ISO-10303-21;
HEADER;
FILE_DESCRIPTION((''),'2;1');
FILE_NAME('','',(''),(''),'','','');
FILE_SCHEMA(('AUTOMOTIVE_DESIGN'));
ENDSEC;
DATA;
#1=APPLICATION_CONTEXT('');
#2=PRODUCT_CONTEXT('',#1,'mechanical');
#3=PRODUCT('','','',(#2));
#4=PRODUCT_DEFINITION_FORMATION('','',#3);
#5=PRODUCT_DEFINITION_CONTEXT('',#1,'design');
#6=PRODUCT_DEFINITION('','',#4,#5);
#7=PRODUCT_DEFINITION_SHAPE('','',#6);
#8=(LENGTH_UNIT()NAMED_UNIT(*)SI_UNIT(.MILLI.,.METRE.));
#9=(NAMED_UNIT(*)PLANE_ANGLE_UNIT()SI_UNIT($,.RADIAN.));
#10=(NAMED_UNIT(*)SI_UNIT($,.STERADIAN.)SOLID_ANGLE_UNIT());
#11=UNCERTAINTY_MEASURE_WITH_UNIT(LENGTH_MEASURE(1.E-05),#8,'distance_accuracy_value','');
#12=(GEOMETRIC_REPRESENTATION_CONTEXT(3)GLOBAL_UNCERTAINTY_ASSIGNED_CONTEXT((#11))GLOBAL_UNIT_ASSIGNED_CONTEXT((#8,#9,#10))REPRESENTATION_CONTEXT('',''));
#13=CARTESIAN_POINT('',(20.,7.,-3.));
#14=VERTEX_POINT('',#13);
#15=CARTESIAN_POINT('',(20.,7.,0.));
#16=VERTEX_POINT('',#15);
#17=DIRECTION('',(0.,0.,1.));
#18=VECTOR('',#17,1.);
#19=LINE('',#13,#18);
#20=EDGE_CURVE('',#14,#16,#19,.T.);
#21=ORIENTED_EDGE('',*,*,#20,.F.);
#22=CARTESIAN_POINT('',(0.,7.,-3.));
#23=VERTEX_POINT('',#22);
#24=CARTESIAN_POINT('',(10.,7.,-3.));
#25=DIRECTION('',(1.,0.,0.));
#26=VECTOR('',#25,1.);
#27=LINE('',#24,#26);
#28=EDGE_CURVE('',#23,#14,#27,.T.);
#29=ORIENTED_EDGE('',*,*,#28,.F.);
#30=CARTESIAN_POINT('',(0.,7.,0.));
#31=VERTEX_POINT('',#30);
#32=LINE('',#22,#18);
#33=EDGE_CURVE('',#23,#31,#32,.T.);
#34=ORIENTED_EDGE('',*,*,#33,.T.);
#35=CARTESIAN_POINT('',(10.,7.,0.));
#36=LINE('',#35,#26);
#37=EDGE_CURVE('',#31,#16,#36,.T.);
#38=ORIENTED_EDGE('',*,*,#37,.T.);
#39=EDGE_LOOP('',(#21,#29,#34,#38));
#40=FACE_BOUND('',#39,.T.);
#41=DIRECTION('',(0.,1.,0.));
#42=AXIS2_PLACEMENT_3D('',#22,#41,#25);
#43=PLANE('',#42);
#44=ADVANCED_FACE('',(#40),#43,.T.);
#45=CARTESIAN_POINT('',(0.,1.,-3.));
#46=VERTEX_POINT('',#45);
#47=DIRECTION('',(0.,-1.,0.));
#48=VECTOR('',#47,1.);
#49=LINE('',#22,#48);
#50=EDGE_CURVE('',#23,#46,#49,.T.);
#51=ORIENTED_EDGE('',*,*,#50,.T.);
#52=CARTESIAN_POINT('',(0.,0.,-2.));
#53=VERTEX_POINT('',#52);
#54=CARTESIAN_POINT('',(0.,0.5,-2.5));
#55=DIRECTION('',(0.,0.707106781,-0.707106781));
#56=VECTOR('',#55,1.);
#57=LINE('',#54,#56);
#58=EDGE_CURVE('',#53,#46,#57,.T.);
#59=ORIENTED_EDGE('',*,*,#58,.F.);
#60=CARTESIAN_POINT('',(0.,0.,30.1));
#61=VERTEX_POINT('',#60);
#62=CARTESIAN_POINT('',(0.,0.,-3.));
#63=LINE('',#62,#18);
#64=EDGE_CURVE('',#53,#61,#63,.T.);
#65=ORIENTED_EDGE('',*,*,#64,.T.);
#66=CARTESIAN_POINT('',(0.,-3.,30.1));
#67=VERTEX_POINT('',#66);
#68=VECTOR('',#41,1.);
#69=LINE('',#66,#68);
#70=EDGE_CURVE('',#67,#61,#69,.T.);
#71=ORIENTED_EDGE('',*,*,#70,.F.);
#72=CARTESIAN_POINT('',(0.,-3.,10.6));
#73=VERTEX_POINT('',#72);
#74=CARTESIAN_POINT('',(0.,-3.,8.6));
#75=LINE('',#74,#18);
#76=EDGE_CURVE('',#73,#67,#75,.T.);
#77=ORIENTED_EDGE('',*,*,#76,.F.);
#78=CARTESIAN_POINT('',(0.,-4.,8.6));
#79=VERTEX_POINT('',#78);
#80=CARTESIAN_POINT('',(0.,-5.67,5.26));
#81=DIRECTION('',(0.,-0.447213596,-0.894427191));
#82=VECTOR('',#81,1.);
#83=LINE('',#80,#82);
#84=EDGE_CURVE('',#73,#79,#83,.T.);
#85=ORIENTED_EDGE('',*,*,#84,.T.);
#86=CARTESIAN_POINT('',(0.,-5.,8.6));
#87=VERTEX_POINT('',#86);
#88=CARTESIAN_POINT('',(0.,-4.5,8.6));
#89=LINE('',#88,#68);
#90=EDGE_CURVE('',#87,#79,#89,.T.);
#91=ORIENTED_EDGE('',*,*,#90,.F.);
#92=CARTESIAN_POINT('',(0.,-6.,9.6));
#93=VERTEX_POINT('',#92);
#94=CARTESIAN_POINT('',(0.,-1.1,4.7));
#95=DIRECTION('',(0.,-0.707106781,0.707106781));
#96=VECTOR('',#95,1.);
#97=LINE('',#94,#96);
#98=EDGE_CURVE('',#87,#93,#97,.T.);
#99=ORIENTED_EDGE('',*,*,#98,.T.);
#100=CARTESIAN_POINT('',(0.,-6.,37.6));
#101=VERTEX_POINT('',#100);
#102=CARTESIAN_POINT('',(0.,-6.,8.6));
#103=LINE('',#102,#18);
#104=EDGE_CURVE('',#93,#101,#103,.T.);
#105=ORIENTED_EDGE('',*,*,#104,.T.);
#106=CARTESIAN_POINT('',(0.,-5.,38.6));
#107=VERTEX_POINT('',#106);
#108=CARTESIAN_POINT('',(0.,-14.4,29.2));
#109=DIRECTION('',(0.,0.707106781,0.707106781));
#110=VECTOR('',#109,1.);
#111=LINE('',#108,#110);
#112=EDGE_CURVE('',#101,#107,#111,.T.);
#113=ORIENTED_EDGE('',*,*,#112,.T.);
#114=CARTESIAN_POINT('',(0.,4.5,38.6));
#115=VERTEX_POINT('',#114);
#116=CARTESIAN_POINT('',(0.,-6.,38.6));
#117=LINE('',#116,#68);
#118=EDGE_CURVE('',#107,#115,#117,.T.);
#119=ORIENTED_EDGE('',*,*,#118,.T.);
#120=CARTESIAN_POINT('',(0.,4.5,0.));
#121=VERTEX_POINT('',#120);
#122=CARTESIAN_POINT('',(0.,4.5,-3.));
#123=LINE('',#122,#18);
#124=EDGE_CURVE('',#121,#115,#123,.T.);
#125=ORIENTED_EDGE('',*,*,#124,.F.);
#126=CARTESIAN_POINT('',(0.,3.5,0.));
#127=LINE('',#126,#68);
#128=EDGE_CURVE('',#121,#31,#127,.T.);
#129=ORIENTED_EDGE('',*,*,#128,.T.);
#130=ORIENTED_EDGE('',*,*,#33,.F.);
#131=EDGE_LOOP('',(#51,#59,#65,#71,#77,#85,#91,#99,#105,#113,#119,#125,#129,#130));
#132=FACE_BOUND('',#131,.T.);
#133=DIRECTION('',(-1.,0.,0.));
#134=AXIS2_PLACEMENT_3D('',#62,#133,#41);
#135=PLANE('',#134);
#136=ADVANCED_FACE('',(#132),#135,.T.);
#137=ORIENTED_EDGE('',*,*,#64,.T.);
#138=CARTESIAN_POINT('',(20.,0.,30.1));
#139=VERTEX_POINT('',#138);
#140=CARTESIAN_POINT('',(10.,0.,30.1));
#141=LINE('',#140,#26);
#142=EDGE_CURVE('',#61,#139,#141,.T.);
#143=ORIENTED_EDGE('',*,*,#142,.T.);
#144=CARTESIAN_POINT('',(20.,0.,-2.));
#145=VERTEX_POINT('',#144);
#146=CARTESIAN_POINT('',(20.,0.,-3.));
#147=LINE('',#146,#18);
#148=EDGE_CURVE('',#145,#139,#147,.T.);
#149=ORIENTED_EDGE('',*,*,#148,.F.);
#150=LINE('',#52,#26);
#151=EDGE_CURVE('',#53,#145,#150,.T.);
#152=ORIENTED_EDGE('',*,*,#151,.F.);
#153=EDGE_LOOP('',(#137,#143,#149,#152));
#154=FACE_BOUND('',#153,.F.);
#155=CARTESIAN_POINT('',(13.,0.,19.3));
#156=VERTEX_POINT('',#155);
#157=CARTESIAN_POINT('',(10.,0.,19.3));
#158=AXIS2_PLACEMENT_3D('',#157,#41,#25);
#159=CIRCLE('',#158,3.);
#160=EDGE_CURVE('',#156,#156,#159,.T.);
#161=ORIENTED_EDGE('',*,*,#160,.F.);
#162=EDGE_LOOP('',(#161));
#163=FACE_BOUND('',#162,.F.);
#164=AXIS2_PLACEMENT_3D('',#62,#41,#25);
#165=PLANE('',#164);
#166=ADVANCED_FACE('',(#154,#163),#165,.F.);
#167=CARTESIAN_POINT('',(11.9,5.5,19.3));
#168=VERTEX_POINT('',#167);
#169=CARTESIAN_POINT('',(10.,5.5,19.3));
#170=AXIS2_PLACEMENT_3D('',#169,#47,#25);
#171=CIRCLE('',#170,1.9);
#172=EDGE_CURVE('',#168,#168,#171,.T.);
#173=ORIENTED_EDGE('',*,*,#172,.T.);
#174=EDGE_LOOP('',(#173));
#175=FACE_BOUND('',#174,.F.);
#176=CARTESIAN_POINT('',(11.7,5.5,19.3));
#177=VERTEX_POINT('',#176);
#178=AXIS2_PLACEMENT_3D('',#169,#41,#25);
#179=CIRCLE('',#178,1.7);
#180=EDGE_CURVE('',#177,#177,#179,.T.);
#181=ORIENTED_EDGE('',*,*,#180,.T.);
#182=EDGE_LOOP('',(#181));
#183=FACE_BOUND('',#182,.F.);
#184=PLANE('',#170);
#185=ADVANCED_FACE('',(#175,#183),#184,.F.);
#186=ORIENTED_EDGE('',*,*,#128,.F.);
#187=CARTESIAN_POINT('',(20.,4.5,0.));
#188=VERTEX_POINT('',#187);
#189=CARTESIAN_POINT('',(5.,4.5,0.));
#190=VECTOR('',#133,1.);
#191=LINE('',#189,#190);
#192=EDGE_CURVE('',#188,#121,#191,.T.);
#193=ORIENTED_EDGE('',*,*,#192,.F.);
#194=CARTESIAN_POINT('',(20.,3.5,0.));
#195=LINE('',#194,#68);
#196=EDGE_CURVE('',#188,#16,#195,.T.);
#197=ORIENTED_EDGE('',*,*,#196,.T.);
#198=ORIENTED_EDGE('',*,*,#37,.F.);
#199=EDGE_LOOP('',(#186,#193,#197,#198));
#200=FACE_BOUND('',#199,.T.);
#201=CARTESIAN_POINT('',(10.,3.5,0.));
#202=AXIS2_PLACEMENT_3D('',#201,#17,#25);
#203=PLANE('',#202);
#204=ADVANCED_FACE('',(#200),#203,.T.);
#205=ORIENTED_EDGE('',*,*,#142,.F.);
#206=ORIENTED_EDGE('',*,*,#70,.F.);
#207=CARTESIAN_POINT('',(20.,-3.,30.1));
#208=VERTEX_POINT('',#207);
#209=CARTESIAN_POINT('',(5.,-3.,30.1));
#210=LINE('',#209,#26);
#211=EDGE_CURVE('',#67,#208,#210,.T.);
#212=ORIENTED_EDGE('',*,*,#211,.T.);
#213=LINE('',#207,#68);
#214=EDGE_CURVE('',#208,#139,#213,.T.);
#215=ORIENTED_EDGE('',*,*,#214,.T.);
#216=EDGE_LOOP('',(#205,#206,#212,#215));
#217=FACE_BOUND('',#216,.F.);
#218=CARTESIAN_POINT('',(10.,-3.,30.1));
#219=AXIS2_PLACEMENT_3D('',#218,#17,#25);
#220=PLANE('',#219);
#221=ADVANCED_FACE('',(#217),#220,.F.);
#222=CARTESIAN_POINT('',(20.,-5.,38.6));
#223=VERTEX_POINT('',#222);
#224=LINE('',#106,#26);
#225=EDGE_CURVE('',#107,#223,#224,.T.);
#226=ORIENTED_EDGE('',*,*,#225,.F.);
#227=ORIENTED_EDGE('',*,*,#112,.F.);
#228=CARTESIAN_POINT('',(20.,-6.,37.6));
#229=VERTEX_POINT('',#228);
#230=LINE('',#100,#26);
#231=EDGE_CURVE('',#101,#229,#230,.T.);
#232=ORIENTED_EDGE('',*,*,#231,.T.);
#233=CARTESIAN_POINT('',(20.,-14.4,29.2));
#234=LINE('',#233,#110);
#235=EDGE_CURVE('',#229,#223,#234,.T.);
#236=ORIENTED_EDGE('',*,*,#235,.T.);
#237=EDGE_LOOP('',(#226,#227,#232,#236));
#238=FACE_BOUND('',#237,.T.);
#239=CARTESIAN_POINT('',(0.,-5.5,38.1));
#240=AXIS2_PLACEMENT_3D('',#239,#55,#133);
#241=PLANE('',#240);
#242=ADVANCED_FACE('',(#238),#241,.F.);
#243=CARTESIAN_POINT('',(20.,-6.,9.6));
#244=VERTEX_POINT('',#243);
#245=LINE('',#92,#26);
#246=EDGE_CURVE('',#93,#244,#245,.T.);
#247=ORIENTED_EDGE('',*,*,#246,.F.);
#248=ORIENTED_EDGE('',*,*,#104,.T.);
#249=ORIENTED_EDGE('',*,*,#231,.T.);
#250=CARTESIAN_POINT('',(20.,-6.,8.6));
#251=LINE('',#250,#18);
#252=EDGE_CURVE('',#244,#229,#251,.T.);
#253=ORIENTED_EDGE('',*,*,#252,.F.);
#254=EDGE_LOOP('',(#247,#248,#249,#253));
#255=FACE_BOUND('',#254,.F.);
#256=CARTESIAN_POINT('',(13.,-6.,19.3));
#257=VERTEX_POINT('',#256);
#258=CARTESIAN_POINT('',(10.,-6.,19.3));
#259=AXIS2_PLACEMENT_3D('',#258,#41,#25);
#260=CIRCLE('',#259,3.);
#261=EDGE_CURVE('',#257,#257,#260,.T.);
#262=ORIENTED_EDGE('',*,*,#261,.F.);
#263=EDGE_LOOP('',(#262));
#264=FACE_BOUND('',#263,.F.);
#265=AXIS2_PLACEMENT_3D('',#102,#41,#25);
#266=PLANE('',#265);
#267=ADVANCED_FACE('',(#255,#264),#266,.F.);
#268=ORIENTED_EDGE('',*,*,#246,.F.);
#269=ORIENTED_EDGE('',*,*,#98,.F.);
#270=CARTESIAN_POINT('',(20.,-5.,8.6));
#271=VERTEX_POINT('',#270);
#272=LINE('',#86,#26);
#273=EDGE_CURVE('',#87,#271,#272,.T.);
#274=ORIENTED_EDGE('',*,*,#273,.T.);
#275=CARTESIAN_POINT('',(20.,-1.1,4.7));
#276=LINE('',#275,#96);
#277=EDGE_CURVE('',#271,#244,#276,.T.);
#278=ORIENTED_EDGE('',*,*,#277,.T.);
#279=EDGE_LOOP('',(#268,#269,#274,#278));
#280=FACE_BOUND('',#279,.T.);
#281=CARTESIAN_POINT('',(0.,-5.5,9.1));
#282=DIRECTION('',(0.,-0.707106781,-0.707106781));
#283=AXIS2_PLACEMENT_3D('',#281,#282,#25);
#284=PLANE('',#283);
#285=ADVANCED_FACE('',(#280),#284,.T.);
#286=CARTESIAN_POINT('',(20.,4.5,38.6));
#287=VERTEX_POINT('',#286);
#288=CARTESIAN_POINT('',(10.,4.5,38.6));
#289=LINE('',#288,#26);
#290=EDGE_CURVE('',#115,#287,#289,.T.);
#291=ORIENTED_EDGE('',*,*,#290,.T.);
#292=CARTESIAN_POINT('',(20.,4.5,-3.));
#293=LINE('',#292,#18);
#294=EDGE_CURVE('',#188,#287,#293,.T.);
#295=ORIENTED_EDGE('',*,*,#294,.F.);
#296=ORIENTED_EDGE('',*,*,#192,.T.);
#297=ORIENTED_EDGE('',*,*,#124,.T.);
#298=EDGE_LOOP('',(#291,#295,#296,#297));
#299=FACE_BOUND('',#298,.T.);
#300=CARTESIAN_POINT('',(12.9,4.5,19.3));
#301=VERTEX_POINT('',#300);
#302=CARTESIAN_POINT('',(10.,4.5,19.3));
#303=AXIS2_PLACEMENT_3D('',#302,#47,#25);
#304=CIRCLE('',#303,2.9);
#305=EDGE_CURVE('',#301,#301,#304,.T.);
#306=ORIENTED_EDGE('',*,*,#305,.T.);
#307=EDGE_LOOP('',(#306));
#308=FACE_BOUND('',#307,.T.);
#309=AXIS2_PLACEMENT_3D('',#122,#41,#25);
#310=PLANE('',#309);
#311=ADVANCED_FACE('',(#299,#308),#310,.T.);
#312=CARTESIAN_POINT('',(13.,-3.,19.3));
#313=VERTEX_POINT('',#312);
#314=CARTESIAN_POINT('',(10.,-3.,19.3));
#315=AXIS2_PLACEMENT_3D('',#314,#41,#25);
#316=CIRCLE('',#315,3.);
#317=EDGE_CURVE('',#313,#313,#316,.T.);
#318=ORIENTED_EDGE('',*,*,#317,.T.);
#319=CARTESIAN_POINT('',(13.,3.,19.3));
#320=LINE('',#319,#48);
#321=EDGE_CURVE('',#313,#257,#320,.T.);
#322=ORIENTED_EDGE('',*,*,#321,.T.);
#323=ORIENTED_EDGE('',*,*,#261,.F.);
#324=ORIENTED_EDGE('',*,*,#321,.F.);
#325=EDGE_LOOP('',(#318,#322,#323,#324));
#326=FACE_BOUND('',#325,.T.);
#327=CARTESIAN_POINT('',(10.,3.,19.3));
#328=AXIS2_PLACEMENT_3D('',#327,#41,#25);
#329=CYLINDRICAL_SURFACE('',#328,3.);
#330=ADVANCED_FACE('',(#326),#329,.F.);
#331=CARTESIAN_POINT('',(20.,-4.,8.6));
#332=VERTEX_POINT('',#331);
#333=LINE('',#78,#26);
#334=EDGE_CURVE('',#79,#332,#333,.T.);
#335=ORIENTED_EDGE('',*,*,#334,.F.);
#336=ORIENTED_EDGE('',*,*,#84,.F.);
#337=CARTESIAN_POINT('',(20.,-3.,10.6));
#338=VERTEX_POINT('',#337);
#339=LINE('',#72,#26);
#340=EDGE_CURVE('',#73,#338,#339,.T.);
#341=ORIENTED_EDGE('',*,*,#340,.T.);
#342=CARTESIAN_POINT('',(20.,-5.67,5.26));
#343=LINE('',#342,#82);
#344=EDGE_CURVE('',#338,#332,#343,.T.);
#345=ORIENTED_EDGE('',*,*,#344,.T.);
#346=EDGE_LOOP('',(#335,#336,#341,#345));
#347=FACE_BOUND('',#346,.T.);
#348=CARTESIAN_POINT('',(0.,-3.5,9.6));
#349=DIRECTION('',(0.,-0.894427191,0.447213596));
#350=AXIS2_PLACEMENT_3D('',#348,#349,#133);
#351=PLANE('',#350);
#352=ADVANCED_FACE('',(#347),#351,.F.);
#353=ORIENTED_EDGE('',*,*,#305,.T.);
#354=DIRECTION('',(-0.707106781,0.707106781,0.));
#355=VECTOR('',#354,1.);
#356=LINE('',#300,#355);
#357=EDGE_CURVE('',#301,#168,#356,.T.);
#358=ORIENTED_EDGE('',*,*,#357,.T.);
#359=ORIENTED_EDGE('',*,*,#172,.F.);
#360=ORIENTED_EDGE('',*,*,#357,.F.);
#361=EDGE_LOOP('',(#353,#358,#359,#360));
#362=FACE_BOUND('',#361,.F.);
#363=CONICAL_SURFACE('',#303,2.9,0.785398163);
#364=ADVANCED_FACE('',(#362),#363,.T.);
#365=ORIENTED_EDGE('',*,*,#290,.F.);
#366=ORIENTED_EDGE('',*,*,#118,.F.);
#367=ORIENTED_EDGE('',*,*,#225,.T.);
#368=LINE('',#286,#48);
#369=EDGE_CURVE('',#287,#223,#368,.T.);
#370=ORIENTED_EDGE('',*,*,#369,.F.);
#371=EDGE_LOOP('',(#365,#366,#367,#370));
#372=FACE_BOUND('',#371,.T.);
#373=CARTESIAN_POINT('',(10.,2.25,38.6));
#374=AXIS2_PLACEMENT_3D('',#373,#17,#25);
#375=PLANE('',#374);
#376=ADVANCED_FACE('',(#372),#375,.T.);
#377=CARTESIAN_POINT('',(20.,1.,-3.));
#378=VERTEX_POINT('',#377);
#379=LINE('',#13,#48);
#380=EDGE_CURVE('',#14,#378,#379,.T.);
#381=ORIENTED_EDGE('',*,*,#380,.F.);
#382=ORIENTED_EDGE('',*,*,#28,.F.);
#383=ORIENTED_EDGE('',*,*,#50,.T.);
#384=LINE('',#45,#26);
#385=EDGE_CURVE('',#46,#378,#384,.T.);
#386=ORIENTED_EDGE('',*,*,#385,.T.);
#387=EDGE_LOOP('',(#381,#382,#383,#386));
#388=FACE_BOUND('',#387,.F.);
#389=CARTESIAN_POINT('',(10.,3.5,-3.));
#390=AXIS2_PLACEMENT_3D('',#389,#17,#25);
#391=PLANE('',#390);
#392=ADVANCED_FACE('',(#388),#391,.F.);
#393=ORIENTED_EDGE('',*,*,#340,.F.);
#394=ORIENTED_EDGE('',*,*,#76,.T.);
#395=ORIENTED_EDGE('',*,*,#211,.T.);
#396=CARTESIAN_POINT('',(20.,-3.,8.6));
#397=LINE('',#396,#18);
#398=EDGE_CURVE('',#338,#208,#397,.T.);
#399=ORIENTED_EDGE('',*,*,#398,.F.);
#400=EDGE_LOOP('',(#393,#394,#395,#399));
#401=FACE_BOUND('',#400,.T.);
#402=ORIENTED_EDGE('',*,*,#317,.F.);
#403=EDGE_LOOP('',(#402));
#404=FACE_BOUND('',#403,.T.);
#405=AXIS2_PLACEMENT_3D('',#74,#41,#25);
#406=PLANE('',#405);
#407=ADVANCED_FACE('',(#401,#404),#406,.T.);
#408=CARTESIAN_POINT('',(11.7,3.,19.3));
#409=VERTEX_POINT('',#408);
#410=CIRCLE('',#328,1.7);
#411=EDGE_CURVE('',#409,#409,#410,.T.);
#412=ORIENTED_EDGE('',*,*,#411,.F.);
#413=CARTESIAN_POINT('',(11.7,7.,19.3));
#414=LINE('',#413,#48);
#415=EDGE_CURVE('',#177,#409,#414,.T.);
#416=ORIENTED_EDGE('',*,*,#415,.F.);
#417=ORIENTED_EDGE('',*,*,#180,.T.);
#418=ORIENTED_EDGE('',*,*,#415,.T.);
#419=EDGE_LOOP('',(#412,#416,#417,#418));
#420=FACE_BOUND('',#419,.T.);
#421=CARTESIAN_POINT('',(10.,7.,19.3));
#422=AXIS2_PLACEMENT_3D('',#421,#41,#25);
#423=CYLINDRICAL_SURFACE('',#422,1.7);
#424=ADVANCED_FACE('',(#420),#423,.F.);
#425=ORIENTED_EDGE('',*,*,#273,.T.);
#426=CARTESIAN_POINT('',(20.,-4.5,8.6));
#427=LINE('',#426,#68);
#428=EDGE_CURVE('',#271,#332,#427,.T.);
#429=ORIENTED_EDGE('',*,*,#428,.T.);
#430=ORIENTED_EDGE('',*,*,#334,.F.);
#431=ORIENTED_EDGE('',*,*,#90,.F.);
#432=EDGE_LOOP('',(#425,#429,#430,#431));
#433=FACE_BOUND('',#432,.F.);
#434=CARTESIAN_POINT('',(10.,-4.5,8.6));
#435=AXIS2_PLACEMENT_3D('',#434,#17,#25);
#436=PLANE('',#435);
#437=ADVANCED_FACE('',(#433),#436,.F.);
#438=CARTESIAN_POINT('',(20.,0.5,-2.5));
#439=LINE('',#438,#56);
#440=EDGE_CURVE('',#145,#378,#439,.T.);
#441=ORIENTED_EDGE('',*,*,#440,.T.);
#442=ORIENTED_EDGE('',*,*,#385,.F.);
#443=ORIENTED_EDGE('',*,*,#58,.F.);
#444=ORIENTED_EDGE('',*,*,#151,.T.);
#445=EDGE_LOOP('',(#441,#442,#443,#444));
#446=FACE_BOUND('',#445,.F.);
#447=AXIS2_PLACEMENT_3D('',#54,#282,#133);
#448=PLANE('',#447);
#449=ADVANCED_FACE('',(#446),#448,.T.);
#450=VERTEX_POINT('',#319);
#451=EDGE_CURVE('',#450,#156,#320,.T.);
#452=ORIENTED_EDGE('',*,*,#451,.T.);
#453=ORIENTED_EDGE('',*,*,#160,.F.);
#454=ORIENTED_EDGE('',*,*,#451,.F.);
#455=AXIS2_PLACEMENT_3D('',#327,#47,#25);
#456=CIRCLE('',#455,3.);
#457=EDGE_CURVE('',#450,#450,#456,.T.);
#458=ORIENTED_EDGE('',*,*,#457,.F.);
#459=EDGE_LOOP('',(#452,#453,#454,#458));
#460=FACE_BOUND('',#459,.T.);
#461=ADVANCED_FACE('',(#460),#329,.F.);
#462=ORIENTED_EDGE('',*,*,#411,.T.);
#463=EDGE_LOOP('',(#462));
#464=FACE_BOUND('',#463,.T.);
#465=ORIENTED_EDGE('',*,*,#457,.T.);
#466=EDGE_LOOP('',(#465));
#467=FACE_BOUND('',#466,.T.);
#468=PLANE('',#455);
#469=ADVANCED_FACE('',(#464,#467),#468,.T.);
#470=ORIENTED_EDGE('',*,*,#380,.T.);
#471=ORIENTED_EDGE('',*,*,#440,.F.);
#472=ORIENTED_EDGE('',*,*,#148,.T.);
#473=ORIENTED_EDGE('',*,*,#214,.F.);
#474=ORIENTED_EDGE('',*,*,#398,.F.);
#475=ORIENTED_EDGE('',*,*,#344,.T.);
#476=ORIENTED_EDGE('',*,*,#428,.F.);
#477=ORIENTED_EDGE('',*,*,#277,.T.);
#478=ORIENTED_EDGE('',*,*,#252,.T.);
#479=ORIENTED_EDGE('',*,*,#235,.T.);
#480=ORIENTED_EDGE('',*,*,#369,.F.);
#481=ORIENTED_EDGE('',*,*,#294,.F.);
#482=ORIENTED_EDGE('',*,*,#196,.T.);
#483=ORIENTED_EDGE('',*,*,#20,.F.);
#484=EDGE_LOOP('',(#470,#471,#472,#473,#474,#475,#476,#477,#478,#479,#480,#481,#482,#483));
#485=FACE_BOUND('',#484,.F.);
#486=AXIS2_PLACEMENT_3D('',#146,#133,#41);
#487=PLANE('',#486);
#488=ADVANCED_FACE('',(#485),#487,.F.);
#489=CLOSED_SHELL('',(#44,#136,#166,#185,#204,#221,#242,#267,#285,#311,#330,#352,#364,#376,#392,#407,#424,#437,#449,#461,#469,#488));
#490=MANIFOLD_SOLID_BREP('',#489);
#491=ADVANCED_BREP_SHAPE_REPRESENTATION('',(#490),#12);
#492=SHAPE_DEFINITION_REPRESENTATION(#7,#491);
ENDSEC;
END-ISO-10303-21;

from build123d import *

# Parameters (mm, degrees)
CYLINDER014_R     = 3
CYLINDER014_DEPTH = 15
CYLINDER012_R     = 1.7
CYLINDER012_DEPTH = 15
CYLINDER013_R     = 2.9
CYLINDER013_DEPTH = 2
CHAMFER019_SIZE   = 1
BOX023_W          = 20
BOX023_H          = 6
BOX023_DEPTH      = 8.5
BOX022_W          = 20
BOX022_H          = 7
BOX022_DEPTH      = 3
BOX021_W          = 20
BOX021_H          = 4.5
BOX021_DEPTH      = 41.6
BOX024_W          = 20
BOX024_H          = 3
BOX024_DEPTH      = 30
CHAMFER020_SIZE2  = 1
CHAMFER020_SIZE   = 2
CHAMFER021_SIZE   = 1


with BuildPart() as cylinder014:
    # Cylinder014 → Cylinder014 (new body)
    with BuildSketch(Plane(origin=(10, 3, 19.3), x_dir=(1, 0, 0), z_dir=(0, -1, 0))):
        Circle(CYLINDER014_R)
    extrude(amount=CYLINDER014_DEPTH)


with BuildPart() as cylinder012:
    # Cylinder012 → Cylinder012 (new body)
    with BuildSketch(Plane(origin=(10, 7, 19.3), x_dir=(1, 0, 0), z_dir=(0, -1, 0))):
        Circle(CYLINDER012_R)
    extrude(amount=CYLINDER012_DEPTH)


with BuildPart() as chamfer019:
    # Cylinder013 → Cylinder013 (new body)
    with BuildSketch(Plane(origin=(10, 5.5, 19.3), x_dir=(1, 0, 0), z_dir=(0, -1, 0))):
        Circle(CYLINDER013_R)
    extrude(amount=CYLINDER013_DEPTH)

    # Chamfer019
    chamfer019_edges = [chamfer019.edges().sort_by_distance(p)[0] for p in [
        (7.1, 5.5, 19.3),
    ]]
    chamfer(chamfer019_edges, length=CHAMFER019_SIZE)


with BuildPart() as cube023:
    # Box023 → Box023 (new body)
    with BuildSketch(Plane(origin=(0, -6, 30.1), x_dir=(1, 0, 0), z_dir=(0, 0, 1))):
        with Locations((10, 3)):
            Rectangle(BOX023_W, BOX023_H)
    extrude(amount=BOX023_DEPTH)


with BuildPart() as cube022:
    # Box022 → Box022 (new body)
    with BuildSketch(Plane.XY.offset(-3)):
        with Locations((10, 3.5)):
            Rectangle(BOX022_W, BOX022_H)
    extrude(amount=BOX022_DEPTH)


with BuildPart() as cube021:
    # Box021 → Box021 (new body)
    with BuildSketch(Plane.XY.offset(-3)):
        with Locations((10, 2.25)):
            Rectangle(BOX021_W, BOX021_H)
    extrude(amount=BOX021_DEPTH)


with BuildPart() as clip_side_top_corner:
    # Box024 → Box024 (new body)
    with BuildSketch(Plane(origin=(0, -6, 8.6), x_dir=(1, 0, 0), z_dir=(0, 0, 1))):
        with Locations((10, 1.5)):
            Rectangle(BOX024_W, BOX024_H)
    extrude(amount=BOX024_DEPTH)

    # Fusion007: union Cube023, Cube022, Cube021
    add(cube023.part)
    add(cube022.part)
    add(cube021.part)

    # Chamfer020
    chamfer020_edges = [clip_side_top_corner.edges().sort_by_distance(p)[0] for p in [
        (10, -3, 8.6),
    ]]
    chamfer020_side = clip_side_top_corner.faces().sort_by_distance((10, -3, 19.35))[0]
    chamfer(chamfer020_edges, length=CHAMFER020_SIZE, length2=CHAMFER020_SIZE2, reference=chamfer020_side)

    # Chamfer021
    chamfer021_edges = [clip_side_top_corner.edges().sort_by_distance(p)[0] for p in [
        (10, -6, 8.6),
        (10, -6, 38.6),
        (10, 0, -3),
    ]]
    chamfer(chamfer021_edges, length=CHAMFER021_SIZE)

    # Fusion010: union Chamfer019
    add(chamfer019.part)

    # Cut010: cut Cylinder012
    add(cylinder012.part, mode=Mode.SUBTRACT)

    # Cut011: cut Cylinder014
    add(cylinder014.part, mode=Mode.SUBTRACT)


solid = clip_side_top_corner.part
